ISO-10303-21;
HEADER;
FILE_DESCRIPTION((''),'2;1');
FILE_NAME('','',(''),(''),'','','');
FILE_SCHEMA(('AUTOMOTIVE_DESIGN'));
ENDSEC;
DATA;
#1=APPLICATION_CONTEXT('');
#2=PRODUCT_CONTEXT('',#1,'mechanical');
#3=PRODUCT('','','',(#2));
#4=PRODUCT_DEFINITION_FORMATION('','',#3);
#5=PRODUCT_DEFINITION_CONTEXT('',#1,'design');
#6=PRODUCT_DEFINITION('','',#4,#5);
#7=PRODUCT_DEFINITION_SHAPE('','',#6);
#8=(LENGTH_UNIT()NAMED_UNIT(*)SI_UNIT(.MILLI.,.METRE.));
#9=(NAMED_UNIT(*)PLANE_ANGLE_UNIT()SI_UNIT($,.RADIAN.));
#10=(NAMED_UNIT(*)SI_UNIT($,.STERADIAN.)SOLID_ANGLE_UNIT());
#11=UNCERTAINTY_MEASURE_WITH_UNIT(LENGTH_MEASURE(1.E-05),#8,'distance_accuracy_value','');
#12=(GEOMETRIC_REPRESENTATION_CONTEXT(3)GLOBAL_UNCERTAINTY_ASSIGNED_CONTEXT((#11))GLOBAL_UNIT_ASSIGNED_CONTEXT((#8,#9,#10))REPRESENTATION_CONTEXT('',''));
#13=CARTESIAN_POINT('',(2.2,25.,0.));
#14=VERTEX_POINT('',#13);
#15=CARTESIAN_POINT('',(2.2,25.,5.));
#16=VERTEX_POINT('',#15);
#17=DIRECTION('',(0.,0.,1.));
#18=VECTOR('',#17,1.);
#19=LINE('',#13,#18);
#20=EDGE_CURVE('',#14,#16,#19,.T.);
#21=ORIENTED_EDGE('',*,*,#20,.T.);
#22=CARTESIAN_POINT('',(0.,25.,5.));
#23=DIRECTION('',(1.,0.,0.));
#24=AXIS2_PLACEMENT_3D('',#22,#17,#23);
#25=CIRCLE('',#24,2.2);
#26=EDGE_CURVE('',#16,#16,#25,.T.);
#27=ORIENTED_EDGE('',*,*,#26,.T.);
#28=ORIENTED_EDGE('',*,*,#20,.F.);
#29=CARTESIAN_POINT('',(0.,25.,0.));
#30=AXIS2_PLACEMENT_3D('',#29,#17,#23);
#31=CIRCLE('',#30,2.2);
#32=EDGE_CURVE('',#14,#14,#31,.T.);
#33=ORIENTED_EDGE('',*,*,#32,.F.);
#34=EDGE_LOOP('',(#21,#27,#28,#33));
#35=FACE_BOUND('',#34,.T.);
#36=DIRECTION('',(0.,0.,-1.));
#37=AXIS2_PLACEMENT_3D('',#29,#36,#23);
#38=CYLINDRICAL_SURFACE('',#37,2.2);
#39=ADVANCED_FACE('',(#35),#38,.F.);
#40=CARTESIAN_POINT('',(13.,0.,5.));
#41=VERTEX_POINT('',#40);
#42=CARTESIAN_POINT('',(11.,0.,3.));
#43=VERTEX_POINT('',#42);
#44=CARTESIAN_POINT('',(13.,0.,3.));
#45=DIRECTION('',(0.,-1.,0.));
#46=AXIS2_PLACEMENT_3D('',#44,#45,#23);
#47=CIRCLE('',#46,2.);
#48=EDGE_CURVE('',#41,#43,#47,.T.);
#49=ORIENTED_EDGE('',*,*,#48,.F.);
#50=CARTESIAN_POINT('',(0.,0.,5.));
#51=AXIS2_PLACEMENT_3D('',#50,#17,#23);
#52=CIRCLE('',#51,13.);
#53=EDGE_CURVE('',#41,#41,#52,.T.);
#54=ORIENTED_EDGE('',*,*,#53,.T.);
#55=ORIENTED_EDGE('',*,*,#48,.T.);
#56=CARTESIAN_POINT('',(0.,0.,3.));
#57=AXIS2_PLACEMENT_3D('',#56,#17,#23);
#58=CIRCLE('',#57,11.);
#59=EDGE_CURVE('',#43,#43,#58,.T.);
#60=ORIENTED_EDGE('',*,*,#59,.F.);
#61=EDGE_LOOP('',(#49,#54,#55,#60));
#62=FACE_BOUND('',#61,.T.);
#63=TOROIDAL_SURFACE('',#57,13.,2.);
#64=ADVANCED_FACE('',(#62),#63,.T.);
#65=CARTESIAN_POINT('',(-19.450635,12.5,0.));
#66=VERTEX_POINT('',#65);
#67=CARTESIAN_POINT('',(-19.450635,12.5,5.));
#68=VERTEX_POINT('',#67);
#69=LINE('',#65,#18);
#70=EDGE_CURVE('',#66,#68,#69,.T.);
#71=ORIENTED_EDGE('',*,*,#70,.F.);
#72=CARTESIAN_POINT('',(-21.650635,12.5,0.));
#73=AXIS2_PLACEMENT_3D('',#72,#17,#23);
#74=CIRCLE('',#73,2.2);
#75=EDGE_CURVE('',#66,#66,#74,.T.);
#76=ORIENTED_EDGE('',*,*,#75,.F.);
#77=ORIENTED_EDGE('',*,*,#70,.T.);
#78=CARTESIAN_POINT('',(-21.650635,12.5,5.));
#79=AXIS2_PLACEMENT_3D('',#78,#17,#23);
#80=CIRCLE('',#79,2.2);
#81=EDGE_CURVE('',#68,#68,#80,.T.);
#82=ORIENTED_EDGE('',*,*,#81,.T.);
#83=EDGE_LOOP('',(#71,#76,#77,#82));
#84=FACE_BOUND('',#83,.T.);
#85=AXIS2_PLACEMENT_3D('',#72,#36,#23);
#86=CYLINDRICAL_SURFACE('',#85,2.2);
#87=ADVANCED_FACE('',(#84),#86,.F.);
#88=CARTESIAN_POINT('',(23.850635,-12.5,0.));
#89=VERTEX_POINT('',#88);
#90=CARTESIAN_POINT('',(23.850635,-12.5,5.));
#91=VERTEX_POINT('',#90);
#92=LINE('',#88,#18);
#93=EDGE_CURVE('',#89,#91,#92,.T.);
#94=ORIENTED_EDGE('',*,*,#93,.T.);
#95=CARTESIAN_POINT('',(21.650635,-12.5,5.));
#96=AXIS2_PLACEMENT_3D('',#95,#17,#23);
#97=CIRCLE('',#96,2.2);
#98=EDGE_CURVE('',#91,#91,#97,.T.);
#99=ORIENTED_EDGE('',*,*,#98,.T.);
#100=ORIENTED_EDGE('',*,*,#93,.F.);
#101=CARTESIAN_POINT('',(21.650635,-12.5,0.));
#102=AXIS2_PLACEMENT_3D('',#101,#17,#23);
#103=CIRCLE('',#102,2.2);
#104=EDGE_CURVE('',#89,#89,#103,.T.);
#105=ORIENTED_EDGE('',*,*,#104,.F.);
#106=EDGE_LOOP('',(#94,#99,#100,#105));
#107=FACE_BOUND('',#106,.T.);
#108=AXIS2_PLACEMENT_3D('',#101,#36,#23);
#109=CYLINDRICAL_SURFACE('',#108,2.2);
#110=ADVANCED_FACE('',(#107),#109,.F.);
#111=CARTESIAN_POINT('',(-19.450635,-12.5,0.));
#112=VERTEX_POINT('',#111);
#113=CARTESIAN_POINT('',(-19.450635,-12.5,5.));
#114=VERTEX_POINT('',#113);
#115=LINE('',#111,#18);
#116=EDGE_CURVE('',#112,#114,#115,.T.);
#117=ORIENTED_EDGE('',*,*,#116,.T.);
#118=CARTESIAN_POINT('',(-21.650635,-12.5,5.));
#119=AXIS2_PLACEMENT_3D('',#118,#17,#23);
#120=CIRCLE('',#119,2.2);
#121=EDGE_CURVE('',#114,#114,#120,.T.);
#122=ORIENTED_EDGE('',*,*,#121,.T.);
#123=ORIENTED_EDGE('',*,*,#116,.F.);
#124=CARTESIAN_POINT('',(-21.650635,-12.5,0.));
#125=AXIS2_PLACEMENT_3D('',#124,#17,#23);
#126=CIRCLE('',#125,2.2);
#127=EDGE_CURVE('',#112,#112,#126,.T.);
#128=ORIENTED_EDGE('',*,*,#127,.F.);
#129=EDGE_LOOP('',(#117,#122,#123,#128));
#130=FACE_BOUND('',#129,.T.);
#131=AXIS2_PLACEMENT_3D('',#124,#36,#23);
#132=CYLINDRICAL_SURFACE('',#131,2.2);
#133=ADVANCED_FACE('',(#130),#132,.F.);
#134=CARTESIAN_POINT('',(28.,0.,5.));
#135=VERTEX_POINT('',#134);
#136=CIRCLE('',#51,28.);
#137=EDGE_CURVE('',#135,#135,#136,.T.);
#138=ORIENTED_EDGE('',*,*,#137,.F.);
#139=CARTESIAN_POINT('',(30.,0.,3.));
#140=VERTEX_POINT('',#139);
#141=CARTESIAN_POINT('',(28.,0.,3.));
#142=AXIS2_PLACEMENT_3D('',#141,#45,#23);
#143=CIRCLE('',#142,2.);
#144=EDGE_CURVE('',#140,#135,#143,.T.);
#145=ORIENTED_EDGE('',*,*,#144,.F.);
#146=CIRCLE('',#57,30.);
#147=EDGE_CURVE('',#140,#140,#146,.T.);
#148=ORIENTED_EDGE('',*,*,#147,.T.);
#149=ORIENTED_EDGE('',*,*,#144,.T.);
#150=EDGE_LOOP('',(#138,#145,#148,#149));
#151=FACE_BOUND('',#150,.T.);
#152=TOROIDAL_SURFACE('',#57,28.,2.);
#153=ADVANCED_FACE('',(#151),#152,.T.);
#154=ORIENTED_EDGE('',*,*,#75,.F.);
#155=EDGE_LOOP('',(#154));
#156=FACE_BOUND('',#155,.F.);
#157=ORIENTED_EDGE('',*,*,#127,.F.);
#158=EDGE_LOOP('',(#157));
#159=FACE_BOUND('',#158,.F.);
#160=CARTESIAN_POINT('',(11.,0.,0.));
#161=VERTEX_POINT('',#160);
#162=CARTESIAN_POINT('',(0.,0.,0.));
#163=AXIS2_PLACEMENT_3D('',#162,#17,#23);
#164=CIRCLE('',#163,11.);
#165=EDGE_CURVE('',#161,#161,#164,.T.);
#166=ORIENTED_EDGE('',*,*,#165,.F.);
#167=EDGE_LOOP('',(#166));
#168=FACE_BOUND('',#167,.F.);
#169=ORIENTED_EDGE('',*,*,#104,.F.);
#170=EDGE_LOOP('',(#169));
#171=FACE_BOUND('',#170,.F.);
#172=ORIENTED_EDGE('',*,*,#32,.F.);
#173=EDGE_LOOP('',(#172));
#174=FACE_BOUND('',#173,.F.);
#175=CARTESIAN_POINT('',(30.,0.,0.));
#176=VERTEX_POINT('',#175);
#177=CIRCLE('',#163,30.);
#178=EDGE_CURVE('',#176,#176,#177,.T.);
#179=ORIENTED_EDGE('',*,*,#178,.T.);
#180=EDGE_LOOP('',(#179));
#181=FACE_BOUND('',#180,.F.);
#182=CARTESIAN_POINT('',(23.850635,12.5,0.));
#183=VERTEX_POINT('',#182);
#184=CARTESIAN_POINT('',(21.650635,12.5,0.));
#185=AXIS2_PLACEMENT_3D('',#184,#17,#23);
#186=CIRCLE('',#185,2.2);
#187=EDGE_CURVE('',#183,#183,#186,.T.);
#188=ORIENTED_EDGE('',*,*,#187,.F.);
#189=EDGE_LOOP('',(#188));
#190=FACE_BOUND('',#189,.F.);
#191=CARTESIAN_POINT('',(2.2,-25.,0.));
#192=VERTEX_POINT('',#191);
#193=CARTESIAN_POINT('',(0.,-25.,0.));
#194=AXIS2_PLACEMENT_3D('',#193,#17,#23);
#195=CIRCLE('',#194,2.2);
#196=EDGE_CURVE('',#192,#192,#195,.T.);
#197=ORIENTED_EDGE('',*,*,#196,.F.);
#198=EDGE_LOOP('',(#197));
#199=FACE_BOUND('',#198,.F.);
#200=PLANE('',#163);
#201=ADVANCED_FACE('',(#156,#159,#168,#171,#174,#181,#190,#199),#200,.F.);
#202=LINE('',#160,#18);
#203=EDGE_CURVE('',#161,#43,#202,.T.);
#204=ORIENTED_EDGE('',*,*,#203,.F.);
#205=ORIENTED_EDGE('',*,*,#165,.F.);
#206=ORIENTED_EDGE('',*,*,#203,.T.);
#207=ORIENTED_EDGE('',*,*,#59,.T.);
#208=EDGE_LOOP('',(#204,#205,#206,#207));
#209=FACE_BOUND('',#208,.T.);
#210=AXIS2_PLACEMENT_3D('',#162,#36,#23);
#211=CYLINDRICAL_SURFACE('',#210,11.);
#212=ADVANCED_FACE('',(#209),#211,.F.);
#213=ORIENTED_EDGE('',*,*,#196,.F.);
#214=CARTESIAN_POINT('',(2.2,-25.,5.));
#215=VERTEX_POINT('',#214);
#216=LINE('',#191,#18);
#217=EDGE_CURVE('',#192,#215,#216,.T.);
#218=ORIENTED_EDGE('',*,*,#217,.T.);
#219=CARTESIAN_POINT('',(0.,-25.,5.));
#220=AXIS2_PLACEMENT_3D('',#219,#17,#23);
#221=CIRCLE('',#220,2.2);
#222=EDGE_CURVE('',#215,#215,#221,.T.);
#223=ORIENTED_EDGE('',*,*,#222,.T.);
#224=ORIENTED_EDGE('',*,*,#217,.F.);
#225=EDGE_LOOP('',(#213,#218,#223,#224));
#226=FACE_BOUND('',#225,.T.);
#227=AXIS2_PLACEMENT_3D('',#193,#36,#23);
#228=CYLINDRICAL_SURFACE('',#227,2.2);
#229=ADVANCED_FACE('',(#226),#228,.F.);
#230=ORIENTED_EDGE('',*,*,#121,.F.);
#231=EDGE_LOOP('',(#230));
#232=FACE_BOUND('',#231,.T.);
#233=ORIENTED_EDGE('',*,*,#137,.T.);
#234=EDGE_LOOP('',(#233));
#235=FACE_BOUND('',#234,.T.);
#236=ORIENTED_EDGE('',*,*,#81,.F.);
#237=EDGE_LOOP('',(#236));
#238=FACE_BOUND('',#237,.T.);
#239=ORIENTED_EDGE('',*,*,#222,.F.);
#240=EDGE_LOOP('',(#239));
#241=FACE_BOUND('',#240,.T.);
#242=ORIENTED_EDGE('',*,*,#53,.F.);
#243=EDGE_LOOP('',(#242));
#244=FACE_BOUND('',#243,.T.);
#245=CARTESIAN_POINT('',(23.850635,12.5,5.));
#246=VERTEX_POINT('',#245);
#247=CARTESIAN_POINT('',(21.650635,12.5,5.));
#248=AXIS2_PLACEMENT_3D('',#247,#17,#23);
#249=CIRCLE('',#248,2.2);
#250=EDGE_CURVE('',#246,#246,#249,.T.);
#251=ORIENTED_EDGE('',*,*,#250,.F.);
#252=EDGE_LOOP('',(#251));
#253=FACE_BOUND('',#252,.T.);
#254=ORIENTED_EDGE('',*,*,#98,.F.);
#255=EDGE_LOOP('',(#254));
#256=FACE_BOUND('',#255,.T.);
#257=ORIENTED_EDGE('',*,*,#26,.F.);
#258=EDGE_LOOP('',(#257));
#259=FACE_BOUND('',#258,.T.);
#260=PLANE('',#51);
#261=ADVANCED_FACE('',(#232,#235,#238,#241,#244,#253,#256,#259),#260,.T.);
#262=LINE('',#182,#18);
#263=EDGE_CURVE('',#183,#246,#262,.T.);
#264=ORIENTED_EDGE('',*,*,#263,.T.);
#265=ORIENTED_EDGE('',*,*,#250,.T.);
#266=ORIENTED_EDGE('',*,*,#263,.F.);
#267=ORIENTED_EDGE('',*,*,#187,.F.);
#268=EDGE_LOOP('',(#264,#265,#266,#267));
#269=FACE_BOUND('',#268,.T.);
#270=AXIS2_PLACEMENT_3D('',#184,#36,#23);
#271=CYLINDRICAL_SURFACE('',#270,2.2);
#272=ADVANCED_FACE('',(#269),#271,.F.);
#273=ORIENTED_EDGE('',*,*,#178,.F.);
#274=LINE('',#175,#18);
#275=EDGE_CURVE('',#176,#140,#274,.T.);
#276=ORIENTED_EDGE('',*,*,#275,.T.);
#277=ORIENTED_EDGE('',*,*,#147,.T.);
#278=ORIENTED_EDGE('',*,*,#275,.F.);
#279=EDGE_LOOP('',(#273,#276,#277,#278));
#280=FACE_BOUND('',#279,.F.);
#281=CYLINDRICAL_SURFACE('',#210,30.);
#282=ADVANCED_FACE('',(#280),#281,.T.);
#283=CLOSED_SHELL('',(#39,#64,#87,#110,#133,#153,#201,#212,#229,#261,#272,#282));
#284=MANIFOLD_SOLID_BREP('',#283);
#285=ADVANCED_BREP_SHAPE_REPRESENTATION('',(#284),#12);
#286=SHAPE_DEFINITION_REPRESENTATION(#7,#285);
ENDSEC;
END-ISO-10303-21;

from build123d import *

# Parameters (mm, degrees)
F0_R     = 30
F0_R_2   = 2.2
F0_R_3   = 11
F1_DEPTH = 5
F2_R     = 2
F3_R     = 2


with BuildPart() as f1:
    # F0 (on Top) → F1 (new body)
    with BuildSketch(Plane.XY):
        Circle(F0_R)
        with Locations((-21.650635, -12.5)):
            Circle(F0_R_2, mode=Mode.SUBTRACT)
        with Locations((0, -25)):
            Circle(F0_R_2, mode=Mode.SUBTRACT)
        with Locations((21.650635, -12.5)):
            Circle(F0_R_2, mode=Mode.SUBTRACT)
        with Locations((-21.650635, 12.5)):
            Circle(F0_R_2, mode=Mode.SUBTRACT)
        Circle(F0_R_3, mode=Mode.SUBTRACT)
        with Locations((21.650635, 12.5)):
            Circle(F0_R_2, mode=Mode.SUBTRACT)
        with Locations((0, 25)):
            Circle(F0_R_2, mode=Mode.SUBTRACT)
    extrude(amount=F1_DEPTH)

    # F2
    f2_edges = [f1.edges().sort_by_distance(p)[0] for p in [
        (-30, 0, 5),
    ]]
    fillet(f2_edges, radius=F2_R)

    # F3
    f3_edges = [f1.edges().sort_by_distance(p)[0] for p in [
        (-11, 0, 5),
    ]]
    fillet(f3_edges, radius=F3_R)


solid = f1.part
